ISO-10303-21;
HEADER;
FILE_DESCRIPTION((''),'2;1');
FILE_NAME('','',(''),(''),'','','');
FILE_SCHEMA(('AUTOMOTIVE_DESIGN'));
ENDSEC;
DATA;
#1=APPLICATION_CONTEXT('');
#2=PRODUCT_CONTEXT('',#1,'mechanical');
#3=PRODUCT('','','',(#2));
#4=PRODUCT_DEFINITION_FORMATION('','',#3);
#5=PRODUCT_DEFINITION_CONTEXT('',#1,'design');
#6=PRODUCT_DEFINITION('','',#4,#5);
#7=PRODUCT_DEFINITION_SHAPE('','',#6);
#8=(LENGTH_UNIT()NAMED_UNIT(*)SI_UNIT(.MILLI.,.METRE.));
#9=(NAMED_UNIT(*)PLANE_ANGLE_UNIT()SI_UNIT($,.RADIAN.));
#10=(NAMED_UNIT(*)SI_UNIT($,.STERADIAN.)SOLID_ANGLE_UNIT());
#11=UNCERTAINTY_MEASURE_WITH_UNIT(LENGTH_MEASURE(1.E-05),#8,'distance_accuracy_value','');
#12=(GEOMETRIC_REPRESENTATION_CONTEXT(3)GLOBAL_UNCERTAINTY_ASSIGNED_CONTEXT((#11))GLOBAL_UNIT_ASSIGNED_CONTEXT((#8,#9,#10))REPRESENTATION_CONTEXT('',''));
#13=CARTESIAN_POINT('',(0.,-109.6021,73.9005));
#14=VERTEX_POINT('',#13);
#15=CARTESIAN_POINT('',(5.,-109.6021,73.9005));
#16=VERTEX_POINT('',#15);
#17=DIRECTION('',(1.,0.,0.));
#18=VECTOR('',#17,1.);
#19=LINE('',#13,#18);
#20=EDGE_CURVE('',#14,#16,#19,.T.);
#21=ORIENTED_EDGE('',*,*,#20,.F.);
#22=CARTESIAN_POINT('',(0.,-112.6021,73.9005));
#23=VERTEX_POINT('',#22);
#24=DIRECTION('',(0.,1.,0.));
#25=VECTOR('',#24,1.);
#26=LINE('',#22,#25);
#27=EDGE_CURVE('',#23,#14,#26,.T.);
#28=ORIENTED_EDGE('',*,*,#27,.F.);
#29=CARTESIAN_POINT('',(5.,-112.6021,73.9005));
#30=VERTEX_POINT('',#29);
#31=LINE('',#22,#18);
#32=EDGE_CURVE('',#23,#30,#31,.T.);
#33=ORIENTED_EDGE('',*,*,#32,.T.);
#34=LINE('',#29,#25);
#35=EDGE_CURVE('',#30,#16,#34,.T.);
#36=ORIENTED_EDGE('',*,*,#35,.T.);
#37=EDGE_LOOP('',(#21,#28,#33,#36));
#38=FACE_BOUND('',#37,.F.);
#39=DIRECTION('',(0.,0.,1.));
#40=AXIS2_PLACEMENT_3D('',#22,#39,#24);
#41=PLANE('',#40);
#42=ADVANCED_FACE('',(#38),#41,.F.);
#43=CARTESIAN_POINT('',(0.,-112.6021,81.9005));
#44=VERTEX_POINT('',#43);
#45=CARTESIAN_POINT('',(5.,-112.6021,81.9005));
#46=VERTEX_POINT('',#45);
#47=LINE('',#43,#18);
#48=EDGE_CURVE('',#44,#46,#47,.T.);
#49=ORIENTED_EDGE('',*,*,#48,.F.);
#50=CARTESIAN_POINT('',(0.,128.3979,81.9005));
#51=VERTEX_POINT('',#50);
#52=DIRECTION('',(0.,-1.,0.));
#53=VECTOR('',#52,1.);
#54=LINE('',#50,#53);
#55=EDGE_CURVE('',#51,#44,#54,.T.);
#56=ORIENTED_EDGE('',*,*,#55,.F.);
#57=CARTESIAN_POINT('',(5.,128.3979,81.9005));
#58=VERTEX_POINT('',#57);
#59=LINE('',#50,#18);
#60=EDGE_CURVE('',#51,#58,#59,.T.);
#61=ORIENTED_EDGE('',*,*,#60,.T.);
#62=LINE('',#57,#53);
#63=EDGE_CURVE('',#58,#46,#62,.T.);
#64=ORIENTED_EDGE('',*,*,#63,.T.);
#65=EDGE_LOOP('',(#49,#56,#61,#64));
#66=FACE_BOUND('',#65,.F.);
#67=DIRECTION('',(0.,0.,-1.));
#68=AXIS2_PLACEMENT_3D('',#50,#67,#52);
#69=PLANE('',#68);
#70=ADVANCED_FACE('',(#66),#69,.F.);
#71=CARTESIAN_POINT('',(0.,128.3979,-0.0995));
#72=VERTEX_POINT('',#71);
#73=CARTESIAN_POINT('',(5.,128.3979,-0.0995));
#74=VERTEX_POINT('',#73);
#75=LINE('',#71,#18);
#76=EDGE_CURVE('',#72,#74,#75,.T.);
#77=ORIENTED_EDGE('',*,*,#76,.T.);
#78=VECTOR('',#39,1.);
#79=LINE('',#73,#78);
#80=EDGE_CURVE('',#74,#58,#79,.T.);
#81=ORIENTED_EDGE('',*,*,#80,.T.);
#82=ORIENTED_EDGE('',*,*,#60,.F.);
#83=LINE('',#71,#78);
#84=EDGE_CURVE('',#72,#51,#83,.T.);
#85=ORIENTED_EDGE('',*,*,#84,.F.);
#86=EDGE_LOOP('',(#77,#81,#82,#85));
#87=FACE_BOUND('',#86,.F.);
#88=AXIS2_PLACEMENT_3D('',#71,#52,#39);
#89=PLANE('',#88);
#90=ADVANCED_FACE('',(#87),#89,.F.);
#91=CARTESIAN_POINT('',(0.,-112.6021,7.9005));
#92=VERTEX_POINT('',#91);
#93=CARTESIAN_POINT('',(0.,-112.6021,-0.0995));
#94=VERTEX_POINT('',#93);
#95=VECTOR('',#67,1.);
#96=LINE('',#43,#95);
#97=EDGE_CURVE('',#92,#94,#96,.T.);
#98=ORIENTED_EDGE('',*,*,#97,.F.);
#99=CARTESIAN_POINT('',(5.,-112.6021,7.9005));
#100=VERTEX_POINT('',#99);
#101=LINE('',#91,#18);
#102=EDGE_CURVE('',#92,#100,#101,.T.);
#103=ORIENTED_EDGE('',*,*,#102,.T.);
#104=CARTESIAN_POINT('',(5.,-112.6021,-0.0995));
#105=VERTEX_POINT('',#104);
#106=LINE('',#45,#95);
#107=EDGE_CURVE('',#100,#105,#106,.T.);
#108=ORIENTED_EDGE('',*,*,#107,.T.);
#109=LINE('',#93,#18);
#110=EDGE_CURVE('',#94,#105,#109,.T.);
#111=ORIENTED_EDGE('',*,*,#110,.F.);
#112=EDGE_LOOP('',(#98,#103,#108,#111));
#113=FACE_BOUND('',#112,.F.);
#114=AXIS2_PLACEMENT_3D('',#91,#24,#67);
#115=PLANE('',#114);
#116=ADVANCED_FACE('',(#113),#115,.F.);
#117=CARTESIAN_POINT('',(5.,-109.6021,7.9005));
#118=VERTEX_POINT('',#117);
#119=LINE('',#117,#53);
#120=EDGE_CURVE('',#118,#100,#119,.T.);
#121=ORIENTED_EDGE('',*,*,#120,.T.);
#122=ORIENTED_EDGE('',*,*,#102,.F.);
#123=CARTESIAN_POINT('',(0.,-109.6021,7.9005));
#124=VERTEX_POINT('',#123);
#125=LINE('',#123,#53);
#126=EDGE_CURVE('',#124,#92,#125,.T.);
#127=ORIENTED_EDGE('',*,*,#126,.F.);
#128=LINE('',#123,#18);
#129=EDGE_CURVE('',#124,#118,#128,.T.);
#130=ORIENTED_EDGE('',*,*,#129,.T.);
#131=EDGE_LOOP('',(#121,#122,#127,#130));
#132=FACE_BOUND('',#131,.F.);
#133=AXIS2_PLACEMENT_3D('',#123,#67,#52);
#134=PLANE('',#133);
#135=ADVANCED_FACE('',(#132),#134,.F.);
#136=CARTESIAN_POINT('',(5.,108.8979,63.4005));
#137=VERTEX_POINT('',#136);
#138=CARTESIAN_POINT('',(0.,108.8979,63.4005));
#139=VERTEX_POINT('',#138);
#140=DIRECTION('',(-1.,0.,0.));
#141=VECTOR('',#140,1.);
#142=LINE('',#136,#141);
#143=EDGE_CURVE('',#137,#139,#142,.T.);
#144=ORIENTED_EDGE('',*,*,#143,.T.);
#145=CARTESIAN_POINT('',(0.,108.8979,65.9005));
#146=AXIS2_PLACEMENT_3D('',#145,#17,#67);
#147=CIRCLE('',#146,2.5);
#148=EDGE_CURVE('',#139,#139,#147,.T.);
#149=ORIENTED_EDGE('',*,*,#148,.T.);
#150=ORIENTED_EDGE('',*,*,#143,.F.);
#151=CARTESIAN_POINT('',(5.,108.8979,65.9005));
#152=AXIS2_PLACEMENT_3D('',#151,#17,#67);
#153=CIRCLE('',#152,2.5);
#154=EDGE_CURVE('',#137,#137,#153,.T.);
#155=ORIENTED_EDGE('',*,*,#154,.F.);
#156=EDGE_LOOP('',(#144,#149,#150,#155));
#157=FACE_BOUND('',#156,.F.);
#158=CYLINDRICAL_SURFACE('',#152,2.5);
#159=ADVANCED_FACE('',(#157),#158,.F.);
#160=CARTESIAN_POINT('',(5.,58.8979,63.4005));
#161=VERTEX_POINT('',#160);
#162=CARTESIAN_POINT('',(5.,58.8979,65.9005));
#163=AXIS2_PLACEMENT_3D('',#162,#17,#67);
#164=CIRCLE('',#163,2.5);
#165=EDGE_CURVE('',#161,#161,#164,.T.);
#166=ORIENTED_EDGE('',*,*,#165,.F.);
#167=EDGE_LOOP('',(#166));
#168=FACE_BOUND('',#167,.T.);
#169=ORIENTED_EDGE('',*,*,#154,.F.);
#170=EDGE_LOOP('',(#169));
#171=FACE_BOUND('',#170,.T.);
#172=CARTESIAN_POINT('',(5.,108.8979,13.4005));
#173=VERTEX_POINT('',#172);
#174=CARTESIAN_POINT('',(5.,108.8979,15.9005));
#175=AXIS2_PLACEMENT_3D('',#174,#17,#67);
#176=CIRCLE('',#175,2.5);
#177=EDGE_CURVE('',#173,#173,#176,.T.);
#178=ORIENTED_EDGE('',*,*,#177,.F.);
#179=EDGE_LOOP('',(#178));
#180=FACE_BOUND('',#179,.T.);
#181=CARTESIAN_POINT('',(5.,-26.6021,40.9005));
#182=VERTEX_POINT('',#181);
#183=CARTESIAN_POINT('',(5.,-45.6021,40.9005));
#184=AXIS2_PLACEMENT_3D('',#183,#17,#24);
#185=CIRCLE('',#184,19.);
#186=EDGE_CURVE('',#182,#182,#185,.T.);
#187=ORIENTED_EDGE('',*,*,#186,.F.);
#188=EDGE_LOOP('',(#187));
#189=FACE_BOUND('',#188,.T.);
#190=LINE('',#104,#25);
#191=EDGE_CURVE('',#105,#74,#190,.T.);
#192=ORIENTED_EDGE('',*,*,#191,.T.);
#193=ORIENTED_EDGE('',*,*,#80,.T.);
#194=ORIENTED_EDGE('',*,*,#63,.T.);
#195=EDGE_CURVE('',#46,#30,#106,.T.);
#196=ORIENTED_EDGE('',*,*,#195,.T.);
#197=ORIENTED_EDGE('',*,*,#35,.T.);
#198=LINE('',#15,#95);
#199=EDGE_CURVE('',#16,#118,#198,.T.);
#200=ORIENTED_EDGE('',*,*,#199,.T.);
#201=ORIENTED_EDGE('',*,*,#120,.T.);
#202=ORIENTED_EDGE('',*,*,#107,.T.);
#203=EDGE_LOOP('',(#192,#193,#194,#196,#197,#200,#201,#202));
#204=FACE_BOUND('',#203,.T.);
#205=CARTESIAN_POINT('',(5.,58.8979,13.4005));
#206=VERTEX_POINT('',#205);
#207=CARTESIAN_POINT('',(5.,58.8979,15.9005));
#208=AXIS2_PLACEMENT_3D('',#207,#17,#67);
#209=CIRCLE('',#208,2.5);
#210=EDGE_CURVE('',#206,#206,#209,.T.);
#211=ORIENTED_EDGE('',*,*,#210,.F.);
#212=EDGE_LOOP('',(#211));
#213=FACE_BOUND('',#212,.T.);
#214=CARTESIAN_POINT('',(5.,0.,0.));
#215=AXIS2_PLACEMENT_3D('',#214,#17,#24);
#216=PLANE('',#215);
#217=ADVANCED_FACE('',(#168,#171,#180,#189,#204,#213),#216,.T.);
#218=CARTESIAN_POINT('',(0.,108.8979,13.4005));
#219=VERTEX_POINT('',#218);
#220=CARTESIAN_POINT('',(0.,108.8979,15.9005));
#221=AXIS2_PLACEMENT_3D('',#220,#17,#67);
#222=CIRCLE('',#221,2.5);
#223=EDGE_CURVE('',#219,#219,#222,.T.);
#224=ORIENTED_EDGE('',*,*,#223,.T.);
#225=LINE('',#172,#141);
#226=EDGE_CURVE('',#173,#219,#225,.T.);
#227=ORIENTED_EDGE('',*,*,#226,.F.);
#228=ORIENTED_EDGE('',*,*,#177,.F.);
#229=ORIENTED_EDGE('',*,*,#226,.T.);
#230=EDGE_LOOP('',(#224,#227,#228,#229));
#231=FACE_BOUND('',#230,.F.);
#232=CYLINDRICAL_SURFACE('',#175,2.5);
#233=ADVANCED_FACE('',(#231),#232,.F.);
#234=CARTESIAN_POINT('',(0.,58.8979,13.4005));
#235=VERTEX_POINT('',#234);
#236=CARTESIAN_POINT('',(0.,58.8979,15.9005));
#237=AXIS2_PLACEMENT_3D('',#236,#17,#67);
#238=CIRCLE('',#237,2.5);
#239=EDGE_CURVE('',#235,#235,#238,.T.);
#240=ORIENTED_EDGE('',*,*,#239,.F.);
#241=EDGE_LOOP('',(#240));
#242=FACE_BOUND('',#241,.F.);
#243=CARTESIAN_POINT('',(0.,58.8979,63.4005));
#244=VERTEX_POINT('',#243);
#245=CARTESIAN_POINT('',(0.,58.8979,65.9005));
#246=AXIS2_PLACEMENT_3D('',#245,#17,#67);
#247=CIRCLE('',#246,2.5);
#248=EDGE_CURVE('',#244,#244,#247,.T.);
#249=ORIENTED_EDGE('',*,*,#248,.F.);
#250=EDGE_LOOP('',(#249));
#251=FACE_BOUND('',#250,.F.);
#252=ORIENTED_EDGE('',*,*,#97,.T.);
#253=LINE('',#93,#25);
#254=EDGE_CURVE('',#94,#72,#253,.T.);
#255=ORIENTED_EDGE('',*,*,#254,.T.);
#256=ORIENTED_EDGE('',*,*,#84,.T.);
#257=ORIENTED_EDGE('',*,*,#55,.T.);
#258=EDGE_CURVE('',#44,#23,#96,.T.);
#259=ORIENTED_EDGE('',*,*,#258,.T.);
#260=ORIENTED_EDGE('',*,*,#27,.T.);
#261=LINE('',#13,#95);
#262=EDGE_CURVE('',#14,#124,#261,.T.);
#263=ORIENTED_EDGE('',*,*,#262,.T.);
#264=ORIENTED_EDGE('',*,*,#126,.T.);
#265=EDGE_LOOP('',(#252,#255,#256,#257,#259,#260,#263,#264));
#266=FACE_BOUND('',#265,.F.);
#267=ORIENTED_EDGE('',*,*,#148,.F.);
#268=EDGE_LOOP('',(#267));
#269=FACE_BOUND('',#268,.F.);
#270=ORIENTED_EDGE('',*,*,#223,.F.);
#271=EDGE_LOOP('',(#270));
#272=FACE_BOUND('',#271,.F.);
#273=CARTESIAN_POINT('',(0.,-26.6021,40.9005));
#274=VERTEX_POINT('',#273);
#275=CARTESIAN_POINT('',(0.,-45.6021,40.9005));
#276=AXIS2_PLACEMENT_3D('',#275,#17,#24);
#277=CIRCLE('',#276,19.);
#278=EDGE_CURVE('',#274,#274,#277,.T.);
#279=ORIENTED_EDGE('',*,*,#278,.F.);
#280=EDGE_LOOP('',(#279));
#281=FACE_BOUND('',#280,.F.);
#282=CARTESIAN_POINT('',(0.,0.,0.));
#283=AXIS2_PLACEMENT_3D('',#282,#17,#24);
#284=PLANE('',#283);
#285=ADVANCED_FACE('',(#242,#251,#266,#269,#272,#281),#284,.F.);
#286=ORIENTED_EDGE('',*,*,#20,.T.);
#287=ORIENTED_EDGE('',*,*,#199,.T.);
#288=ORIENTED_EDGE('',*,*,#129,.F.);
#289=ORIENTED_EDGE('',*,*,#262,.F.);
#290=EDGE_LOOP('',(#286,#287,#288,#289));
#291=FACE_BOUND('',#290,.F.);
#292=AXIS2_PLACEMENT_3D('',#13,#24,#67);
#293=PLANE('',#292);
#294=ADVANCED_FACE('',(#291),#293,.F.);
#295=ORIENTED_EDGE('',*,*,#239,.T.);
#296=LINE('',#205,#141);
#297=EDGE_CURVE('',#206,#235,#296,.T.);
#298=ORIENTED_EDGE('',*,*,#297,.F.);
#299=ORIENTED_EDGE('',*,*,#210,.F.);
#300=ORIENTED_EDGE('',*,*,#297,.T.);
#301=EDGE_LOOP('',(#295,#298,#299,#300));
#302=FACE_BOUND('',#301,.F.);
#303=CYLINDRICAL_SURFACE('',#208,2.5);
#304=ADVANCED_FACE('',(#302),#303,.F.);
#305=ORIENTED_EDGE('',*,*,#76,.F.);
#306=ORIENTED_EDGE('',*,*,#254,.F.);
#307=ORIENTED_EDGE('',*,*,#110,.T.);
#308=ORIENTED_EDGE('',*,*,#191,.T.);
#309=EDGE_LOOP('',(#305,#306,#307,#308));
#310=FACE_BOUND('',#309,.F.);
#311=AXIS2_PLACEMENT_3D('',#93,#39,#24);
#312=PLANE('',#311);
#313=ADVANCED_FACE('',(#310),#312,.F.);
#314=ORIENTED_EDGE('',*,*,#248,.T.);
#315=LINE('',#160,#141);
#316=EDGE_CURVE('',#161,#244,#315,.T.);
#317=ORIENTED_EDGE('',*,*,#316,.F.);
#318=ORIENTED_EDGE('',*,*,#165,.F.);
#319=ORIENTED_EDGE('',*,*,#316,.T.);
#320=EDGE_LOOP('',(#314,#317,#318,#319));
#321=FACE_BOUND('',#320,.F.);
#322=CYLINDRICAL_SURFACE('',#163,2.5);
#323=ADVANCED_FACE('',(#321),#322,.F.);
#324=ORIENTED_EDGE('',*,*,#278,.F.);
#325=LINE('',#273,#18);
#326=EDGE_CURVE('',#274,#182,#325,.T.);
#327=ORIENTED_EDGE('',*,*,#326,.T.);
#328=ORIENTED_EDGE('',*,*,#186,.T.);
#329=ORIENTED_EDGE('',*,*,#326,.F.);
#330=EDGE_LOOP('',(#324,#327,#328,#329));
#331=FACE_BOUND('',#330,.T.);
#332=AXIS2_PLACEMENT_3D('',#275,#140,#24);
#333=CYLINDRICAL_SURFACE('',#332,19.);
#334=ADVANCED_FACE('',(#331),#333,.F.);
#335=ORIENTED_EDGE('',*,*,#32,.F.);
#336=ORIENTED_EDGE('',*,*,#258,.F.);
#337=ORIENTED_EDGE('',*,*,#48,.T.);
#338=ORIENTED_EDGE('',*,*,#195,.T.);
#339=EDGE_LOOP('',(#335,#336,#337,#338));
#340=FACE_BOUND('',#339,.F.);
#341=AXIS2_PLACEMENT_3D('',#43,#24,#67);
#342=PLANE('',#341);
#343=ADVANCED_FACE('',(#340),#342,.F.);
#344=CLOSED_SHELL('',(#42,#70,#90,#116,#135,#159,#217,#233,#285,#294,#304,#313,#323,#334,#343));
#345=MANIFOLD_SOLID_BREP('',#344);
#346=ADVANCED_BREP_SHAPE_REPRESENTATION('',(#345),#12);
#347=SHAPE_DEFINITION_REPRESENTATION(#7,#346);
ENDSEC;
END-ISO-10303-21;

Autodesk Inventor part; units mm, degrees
ref_plane "YZ Plane" through (0, 0, 0) normal (1, 0, 0) x (0, 1, 0)
ref_plane "XZ Plane" through (0, 0, 0) normal (0, 1, 0) x (-1, 0, 0)
ref_plane "XY Plane" through (0, 0, 0) normal (0, 0, 1) x (1, 0, 0)
sketch "Sketch1" plane through (0, 0, 0) normal (1, 0, 0) x (0, 1, 0)
  line L0 (128.3979, 81.9005) -> (-112.6021, 81.9005)
  line L1 (-112.6021, 81.9005) -> (-112.6021, -0.0995)
  line L2 (-112.6021, -0.0995) -> (128.3979, -0.0995)
  line L3 (128.3979, -0.0995) -> (128.3979, 81.9005)
  circle A0 centre (-45.6021, 40.9005) radius 19
  line L4 (-112.6021, 73.9005) -> (-109.6021, 73.9005)
  line L5 (-109.6021, 73.9005) -> (-109.6021, 7.9005)
  line L6 (-109.6021, 7.9005) -> (-112.6021, 7.9005)
  line L7 (-112.6021, 7.9005) -> (-112.6021, 73.9005)
  point P0 (0, 0)
  dimension "d0" = 241
  dimension "d1" = 82
  dimension "d2" = 38
  dimension "d3" = 41
  dimension "d4" = 174
  dimension "d5" = 66
  dimension "d6" = 3
  dimension "d7" = 8
extrude "Base" add sketch "Sketch1" along normal blind 5 contours L3 L2 L1 L6 L5 L4 L0
sketch "Sketch2" plane through (5, 0, 0) normal (1, 0, 0) x (0, 0, -1)
  circle A0 centre (-40.9005, -45.6021) radius 19 projected
  circle A1 centre (-65.9005, 108.8979) radius 2.5
  line L0 (-81.9005, 128.3979) -> (-81.9005, -112.6021) construction
  line L1 (0.0995, 128.3979) -> (-81.9005, 128.3979) construction
  line L2 (-81.9005, 128.3979) -> (0.0995, 128.3979) construction
  line L3 (-81.9005, 128.3979) -> (-81.9005, -112.6021) construction
  circle A2 centre (-15.9005, 108.8979) radius 2.5
  circle A3 centre (-65.9005, 58.8979) radius 2.5
  circle A4 centre (-15.9005, 58.8979) radius 2.5
  line L4 (-65.9005, 58.8979) -> (-15.9005, 58.8979) construction
  line L5 (-15.9005, 58.8979) -> (-15.9005, 108.8979) construction
  point P0 (0, 0)
  point P1 (-40.9005, 58.8979)
  dimension "d10" = 5
  dimension "d13" = 50
  dimension "d16" = 50
  dimension "d19" = 19.5
extrude "Bracket holes" cut sketch "Sketch2" against normal up to surface (5 mm away) contours A1 | A2 | A3 | A4
equation "\"d3\" = 0.5 * d1"
equation "\"d7\" = -0.5 * d5 + 0.5 * d1"
properties part number "center wall"
